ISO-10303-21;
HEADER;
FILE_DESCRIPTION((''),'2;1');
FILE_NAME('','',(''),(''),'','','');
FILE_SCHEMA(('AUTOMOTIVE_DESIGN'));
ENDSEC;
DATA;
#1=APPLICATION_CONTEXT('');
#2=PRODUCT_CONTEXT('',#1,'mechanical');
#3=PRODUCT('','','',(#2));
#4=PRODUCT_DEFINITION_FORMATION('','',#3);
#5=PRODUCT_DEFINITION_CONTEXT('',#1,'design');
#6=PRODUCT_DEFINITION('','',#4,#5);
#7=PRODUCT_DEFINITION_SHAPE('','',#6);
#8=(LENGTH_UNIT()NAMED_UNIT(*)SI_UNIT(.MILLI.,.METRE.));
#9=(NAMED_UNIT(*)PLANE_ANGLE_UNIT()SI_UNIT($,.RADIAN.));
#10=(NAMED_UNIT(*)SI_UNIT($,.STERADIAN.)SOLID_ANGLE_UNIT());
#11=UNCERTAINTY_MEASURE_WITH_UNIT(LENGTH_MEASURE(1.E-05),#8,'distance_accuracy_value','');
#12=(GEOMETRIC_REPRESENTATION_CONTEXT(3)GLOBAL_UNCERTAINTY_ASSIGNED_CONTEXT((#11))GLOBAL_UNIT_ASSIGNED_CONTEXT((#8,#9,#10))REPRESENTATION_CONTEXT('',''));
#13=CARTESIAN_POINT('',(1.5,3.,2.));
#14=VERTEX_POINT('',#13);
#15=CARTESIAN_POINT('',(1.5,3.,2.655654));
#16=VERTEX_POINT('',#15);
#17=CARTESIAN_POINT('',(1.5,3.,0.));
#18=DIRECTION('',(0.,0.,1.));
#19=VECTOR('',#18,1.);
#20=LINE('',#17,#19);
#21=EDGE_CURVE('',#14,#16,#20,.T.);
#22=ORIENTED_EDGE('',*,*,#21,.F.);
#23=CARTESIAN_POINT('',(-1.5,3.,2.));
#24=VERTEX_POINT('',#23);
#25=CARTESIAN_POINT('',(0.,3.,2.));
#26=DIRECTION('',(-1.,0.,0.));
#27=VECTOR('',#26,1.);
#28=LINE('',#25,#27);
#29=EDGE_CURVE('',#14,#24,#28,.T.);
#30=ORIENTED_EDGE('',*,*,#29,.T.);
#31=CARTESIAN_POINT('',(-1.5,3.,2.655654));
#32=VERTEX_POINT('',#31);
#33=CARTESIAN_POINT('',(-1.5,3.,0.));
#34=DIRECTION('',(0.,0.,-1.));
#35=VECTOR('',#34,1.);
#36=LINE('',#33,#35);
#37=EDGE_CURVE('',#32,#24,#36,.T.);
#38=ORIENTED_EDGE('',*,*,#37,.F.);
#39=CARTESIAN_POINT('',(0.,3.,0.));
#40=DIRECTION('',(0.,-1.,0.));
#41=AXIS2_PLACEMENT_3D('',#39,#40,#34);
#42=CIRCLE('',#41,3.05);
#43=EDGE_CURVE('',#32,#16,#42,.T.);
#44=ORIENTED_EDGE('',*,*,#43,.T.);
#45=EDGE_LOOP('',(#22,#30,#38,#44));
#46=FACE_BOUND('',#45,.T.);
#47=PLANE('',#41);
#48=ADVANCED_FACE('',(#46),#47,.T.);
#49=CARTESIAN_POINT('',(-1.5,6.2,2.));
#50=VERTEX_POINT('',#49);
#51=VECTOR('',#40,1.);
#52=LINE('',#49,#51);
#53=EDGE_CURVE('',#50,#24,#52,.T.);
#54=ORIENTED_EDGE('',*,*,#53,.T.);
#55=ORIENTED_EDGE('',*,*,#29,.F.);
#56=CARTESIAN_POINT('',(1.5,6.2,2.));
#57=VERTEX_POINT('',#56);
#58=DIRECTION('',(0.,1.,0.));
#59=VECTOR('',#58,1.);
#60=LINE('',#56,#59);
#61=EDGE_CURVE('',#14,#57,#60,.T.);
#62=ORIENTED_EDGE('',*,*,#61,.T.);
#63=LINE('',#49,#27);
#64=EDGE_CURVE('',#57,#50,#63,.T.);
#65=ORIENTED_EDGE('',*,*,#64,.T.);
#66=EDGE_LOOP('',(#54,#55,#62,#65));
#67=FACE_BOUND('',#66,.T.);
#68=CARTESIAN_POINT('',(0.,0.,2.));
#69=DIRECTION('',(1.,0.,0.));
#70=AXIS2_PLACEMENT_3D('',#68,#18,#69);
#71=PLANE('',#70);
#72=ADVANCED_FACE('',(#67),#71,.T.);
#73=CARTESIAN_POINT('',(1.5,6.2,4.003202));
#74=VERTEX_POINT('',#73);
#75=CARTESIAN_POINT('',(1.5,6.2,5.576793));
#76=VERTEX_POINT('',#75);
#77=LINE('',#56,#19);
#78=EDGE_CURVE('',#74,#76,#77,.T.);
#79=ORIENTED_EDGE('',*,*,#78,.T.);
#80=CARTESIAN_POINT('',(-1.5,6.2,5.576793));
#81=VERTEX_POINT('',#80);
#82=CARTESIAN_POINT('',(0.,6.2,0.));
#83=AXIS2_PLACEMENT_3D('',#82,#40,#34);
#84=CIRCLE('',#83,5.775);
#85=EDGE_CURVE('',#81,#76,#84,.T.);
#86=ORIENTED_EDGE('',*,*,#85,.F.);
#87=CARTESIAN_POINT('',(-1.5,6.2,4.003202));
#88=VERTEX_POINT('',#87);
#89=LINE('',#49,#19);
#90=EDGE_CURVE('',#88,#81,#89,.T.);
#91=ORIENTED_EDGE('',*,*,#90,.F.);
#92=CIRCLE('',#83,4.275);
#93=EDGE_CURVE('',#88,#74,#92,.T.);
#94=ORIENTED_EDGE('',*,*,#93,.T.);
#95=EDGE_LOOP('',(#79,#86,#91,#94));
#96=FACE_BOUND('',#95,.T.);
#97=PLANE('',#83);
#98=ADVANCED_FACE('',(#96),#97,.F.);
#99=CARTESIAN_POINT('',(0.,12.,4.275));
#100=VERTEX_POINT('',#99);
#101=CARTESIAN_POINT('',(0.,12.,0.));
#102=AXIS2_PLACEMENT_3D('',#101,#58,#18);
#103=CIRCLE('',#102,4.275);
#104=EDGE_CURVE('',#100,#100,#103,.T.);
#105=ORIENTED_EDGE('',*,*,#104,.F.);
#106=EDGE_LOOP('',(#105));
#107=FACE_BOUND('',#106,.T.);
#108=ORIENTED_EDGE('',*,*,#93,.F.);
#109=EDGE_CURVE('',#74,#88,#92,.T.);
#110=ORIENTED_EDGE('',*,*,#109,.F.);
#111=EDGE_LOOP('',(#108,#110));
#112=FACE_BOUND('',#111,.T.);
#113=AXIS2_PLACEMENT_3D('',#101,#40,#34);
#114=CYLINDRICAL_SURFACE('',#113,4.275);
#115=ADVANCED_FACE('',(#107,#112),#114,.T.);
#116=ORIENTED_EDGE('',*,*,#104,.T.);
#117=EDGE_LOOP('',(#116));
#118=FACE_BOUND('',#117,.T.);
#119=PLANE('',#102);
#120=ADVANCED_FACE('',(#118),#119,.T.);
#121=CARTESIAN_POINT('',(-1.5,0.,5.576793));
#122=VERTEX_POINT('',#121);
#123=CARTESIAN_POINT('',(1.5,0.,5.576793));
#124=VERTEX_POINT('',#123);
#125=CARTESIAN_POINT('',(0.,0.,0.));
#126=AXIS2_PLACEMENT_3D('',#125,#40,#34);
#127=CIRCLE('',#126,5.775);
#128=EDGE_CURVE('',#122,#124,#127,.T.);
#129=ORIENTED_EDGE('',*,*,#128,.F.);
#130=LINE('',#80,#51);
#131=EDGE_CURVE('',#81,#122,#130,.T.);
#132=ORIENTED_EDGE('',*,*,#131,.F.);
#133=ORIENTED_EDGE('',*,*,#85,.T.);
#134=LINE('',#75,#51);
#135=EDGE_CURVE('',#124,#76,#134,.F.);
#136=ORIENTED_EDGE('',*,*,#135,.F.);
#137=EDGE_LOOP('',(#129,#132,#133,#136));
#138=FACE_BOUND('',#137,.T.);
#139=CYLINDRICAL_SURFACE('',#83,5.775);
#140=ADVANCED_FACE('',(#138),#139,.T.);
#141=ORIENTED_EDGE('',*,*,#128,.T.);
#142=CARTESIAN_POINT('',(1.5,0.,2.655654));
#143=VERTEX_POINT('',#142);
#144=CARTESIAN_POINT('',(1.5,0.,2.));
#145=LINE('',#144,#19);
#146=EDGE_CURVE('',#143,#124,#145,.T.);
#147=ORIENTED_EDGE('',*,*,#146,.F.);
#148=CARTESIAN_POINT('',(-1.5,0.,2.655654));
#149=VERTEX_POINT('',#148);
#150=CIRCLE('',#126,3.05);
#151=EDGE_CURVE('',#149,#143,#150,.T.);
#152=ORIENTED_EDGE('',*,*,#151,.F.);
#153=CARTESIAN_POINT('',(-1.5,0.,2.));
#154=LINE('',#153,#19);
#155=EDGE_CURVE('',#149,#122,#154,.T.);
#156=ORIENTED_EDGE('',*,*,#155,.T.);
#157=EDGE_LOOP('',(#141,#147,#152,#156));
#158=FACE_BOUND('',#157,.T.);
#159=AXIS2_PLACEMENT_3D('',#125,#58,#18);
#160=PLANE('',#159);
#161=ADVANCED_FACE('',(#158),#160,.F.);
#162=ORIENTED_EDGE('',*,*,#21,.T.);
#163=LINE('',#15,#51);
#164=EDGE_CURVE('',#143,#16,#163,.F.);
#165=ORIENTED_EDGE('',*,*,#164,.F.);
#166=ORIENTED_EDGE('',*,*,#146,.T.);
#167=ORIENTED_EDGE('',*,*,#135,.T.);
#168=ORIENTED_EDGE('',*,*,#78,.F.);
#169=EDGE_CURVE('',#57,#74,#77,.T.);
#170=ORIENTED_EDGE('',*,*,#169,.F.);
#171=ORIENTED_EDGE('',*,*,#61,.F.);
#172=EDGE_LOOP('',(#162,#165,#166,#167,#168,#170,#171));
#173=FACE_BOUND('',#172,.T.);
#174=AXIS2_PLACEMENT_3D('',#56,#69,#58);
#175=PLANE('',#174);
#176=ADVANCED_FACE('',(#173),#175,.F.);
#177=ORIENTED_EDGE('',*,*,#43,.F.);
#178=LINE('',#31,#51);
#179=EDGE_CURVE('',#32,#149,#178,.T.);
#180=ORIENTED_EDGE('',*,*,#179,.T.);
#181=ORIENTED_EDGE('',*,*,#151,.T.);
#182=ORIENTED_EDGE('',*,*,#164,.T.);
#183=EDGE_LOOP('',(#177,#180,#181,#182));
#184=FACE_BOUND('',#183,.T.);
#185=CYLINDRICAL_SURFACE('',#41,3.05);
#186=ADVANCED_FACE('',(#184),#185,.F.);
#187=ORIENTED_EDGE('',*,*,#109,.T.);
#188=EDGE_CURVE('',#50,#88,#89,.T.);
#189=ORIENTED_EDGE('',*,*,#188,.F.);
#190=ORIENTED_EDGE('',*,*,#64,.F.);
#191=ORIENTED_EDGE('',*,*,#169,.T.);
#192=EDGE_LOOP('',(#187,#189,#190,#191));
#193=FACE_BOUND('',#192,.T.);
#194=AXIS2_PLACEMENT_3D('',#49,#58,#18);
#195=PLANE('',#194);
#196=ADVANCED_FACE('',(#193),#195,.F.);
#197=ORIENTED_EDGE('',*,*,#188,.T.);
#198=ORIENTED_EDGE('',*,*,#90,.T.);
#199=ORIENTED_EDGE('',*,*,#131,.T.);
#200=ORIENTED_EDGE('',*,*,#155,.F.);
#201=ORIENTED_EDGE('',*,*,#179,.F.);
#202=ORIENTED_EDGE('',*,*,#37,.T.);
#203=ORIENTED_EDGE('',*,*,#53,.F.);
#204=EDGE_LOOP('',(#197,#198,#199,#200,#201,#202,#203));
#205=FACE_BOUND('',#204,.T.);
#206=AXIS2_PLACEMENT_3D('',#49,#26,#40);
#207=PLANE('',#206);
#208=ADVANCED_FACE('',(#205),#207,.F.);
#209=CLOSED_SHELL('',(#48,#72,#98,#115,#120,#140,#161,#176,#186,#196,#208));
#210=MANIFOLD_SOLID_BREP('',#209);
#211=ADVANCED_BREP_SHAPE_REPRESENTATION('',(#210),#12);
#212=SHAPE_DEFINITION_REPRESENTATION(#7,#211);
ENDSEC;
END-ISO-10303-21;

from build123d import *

# Parameters (mm, degrees)
SKETCH_1_R          = 4.275
EXTRUDE_1_DEPTH     = 12
SKETCH_3_R          = 5.775
EXTRUDE_2_DEPTH     = 6.2
SKETCH_2_R          = 3.05
CUT_EXTRUDE_1_DEPTH = 3
SKETCH_4_W          = 3
SKETCH_4_H          = 6.2
CUT_EXTRUDE_2_DEPTH = 4


with BuildPart() as part:
    # 草图1 → 凸台-拉伸1 (new body)
    with BuildSketch(Plane(origin=(0, 0, 0), x_dir=(1, 0, 0), z_dir=(0, 1, 0))):
        with Locations(Location((0, 0, 0), (0, 0, 270))):
            Circle(SKETCH_1_R)
    extrude(amount=EXTRUDE_1_DEPTH)

    # 草图3 → 凸台-拉伸2 (add)
    with BuildSketch(Plane.XZ):
        with Locations(Location((0, 0, 0), (0, 0, 270))):
            Circle(SKETCH_3_R)
    extrude(amount=-EXTRUDE_2_DEPTH)

    # 草图2 → 切除-拉伸1 (cut)
    with BuildSketch(Plane.XZ):
        with Locations(Location((0, 0, 0), (0, 0, 270))):
            Circle(SKETCH_2_R)
    extrude(amount=-CUT_EXTRUDE_1_DEPTH, mode=Mode.SUBTRACT)

    # 草图4 → 切除-拉伸2 (cut)
    with BuildSketch(Plane.XY.offset(6)):
        with Locations((0, 3.1)):
            Rectangle(SKETCH_4_W, SKETCH_4_H)
    extrude(amount=-CUT_EXTRUDE_2_DEPTH, mode=Mode.SUBTRACT)


solid = part.part
